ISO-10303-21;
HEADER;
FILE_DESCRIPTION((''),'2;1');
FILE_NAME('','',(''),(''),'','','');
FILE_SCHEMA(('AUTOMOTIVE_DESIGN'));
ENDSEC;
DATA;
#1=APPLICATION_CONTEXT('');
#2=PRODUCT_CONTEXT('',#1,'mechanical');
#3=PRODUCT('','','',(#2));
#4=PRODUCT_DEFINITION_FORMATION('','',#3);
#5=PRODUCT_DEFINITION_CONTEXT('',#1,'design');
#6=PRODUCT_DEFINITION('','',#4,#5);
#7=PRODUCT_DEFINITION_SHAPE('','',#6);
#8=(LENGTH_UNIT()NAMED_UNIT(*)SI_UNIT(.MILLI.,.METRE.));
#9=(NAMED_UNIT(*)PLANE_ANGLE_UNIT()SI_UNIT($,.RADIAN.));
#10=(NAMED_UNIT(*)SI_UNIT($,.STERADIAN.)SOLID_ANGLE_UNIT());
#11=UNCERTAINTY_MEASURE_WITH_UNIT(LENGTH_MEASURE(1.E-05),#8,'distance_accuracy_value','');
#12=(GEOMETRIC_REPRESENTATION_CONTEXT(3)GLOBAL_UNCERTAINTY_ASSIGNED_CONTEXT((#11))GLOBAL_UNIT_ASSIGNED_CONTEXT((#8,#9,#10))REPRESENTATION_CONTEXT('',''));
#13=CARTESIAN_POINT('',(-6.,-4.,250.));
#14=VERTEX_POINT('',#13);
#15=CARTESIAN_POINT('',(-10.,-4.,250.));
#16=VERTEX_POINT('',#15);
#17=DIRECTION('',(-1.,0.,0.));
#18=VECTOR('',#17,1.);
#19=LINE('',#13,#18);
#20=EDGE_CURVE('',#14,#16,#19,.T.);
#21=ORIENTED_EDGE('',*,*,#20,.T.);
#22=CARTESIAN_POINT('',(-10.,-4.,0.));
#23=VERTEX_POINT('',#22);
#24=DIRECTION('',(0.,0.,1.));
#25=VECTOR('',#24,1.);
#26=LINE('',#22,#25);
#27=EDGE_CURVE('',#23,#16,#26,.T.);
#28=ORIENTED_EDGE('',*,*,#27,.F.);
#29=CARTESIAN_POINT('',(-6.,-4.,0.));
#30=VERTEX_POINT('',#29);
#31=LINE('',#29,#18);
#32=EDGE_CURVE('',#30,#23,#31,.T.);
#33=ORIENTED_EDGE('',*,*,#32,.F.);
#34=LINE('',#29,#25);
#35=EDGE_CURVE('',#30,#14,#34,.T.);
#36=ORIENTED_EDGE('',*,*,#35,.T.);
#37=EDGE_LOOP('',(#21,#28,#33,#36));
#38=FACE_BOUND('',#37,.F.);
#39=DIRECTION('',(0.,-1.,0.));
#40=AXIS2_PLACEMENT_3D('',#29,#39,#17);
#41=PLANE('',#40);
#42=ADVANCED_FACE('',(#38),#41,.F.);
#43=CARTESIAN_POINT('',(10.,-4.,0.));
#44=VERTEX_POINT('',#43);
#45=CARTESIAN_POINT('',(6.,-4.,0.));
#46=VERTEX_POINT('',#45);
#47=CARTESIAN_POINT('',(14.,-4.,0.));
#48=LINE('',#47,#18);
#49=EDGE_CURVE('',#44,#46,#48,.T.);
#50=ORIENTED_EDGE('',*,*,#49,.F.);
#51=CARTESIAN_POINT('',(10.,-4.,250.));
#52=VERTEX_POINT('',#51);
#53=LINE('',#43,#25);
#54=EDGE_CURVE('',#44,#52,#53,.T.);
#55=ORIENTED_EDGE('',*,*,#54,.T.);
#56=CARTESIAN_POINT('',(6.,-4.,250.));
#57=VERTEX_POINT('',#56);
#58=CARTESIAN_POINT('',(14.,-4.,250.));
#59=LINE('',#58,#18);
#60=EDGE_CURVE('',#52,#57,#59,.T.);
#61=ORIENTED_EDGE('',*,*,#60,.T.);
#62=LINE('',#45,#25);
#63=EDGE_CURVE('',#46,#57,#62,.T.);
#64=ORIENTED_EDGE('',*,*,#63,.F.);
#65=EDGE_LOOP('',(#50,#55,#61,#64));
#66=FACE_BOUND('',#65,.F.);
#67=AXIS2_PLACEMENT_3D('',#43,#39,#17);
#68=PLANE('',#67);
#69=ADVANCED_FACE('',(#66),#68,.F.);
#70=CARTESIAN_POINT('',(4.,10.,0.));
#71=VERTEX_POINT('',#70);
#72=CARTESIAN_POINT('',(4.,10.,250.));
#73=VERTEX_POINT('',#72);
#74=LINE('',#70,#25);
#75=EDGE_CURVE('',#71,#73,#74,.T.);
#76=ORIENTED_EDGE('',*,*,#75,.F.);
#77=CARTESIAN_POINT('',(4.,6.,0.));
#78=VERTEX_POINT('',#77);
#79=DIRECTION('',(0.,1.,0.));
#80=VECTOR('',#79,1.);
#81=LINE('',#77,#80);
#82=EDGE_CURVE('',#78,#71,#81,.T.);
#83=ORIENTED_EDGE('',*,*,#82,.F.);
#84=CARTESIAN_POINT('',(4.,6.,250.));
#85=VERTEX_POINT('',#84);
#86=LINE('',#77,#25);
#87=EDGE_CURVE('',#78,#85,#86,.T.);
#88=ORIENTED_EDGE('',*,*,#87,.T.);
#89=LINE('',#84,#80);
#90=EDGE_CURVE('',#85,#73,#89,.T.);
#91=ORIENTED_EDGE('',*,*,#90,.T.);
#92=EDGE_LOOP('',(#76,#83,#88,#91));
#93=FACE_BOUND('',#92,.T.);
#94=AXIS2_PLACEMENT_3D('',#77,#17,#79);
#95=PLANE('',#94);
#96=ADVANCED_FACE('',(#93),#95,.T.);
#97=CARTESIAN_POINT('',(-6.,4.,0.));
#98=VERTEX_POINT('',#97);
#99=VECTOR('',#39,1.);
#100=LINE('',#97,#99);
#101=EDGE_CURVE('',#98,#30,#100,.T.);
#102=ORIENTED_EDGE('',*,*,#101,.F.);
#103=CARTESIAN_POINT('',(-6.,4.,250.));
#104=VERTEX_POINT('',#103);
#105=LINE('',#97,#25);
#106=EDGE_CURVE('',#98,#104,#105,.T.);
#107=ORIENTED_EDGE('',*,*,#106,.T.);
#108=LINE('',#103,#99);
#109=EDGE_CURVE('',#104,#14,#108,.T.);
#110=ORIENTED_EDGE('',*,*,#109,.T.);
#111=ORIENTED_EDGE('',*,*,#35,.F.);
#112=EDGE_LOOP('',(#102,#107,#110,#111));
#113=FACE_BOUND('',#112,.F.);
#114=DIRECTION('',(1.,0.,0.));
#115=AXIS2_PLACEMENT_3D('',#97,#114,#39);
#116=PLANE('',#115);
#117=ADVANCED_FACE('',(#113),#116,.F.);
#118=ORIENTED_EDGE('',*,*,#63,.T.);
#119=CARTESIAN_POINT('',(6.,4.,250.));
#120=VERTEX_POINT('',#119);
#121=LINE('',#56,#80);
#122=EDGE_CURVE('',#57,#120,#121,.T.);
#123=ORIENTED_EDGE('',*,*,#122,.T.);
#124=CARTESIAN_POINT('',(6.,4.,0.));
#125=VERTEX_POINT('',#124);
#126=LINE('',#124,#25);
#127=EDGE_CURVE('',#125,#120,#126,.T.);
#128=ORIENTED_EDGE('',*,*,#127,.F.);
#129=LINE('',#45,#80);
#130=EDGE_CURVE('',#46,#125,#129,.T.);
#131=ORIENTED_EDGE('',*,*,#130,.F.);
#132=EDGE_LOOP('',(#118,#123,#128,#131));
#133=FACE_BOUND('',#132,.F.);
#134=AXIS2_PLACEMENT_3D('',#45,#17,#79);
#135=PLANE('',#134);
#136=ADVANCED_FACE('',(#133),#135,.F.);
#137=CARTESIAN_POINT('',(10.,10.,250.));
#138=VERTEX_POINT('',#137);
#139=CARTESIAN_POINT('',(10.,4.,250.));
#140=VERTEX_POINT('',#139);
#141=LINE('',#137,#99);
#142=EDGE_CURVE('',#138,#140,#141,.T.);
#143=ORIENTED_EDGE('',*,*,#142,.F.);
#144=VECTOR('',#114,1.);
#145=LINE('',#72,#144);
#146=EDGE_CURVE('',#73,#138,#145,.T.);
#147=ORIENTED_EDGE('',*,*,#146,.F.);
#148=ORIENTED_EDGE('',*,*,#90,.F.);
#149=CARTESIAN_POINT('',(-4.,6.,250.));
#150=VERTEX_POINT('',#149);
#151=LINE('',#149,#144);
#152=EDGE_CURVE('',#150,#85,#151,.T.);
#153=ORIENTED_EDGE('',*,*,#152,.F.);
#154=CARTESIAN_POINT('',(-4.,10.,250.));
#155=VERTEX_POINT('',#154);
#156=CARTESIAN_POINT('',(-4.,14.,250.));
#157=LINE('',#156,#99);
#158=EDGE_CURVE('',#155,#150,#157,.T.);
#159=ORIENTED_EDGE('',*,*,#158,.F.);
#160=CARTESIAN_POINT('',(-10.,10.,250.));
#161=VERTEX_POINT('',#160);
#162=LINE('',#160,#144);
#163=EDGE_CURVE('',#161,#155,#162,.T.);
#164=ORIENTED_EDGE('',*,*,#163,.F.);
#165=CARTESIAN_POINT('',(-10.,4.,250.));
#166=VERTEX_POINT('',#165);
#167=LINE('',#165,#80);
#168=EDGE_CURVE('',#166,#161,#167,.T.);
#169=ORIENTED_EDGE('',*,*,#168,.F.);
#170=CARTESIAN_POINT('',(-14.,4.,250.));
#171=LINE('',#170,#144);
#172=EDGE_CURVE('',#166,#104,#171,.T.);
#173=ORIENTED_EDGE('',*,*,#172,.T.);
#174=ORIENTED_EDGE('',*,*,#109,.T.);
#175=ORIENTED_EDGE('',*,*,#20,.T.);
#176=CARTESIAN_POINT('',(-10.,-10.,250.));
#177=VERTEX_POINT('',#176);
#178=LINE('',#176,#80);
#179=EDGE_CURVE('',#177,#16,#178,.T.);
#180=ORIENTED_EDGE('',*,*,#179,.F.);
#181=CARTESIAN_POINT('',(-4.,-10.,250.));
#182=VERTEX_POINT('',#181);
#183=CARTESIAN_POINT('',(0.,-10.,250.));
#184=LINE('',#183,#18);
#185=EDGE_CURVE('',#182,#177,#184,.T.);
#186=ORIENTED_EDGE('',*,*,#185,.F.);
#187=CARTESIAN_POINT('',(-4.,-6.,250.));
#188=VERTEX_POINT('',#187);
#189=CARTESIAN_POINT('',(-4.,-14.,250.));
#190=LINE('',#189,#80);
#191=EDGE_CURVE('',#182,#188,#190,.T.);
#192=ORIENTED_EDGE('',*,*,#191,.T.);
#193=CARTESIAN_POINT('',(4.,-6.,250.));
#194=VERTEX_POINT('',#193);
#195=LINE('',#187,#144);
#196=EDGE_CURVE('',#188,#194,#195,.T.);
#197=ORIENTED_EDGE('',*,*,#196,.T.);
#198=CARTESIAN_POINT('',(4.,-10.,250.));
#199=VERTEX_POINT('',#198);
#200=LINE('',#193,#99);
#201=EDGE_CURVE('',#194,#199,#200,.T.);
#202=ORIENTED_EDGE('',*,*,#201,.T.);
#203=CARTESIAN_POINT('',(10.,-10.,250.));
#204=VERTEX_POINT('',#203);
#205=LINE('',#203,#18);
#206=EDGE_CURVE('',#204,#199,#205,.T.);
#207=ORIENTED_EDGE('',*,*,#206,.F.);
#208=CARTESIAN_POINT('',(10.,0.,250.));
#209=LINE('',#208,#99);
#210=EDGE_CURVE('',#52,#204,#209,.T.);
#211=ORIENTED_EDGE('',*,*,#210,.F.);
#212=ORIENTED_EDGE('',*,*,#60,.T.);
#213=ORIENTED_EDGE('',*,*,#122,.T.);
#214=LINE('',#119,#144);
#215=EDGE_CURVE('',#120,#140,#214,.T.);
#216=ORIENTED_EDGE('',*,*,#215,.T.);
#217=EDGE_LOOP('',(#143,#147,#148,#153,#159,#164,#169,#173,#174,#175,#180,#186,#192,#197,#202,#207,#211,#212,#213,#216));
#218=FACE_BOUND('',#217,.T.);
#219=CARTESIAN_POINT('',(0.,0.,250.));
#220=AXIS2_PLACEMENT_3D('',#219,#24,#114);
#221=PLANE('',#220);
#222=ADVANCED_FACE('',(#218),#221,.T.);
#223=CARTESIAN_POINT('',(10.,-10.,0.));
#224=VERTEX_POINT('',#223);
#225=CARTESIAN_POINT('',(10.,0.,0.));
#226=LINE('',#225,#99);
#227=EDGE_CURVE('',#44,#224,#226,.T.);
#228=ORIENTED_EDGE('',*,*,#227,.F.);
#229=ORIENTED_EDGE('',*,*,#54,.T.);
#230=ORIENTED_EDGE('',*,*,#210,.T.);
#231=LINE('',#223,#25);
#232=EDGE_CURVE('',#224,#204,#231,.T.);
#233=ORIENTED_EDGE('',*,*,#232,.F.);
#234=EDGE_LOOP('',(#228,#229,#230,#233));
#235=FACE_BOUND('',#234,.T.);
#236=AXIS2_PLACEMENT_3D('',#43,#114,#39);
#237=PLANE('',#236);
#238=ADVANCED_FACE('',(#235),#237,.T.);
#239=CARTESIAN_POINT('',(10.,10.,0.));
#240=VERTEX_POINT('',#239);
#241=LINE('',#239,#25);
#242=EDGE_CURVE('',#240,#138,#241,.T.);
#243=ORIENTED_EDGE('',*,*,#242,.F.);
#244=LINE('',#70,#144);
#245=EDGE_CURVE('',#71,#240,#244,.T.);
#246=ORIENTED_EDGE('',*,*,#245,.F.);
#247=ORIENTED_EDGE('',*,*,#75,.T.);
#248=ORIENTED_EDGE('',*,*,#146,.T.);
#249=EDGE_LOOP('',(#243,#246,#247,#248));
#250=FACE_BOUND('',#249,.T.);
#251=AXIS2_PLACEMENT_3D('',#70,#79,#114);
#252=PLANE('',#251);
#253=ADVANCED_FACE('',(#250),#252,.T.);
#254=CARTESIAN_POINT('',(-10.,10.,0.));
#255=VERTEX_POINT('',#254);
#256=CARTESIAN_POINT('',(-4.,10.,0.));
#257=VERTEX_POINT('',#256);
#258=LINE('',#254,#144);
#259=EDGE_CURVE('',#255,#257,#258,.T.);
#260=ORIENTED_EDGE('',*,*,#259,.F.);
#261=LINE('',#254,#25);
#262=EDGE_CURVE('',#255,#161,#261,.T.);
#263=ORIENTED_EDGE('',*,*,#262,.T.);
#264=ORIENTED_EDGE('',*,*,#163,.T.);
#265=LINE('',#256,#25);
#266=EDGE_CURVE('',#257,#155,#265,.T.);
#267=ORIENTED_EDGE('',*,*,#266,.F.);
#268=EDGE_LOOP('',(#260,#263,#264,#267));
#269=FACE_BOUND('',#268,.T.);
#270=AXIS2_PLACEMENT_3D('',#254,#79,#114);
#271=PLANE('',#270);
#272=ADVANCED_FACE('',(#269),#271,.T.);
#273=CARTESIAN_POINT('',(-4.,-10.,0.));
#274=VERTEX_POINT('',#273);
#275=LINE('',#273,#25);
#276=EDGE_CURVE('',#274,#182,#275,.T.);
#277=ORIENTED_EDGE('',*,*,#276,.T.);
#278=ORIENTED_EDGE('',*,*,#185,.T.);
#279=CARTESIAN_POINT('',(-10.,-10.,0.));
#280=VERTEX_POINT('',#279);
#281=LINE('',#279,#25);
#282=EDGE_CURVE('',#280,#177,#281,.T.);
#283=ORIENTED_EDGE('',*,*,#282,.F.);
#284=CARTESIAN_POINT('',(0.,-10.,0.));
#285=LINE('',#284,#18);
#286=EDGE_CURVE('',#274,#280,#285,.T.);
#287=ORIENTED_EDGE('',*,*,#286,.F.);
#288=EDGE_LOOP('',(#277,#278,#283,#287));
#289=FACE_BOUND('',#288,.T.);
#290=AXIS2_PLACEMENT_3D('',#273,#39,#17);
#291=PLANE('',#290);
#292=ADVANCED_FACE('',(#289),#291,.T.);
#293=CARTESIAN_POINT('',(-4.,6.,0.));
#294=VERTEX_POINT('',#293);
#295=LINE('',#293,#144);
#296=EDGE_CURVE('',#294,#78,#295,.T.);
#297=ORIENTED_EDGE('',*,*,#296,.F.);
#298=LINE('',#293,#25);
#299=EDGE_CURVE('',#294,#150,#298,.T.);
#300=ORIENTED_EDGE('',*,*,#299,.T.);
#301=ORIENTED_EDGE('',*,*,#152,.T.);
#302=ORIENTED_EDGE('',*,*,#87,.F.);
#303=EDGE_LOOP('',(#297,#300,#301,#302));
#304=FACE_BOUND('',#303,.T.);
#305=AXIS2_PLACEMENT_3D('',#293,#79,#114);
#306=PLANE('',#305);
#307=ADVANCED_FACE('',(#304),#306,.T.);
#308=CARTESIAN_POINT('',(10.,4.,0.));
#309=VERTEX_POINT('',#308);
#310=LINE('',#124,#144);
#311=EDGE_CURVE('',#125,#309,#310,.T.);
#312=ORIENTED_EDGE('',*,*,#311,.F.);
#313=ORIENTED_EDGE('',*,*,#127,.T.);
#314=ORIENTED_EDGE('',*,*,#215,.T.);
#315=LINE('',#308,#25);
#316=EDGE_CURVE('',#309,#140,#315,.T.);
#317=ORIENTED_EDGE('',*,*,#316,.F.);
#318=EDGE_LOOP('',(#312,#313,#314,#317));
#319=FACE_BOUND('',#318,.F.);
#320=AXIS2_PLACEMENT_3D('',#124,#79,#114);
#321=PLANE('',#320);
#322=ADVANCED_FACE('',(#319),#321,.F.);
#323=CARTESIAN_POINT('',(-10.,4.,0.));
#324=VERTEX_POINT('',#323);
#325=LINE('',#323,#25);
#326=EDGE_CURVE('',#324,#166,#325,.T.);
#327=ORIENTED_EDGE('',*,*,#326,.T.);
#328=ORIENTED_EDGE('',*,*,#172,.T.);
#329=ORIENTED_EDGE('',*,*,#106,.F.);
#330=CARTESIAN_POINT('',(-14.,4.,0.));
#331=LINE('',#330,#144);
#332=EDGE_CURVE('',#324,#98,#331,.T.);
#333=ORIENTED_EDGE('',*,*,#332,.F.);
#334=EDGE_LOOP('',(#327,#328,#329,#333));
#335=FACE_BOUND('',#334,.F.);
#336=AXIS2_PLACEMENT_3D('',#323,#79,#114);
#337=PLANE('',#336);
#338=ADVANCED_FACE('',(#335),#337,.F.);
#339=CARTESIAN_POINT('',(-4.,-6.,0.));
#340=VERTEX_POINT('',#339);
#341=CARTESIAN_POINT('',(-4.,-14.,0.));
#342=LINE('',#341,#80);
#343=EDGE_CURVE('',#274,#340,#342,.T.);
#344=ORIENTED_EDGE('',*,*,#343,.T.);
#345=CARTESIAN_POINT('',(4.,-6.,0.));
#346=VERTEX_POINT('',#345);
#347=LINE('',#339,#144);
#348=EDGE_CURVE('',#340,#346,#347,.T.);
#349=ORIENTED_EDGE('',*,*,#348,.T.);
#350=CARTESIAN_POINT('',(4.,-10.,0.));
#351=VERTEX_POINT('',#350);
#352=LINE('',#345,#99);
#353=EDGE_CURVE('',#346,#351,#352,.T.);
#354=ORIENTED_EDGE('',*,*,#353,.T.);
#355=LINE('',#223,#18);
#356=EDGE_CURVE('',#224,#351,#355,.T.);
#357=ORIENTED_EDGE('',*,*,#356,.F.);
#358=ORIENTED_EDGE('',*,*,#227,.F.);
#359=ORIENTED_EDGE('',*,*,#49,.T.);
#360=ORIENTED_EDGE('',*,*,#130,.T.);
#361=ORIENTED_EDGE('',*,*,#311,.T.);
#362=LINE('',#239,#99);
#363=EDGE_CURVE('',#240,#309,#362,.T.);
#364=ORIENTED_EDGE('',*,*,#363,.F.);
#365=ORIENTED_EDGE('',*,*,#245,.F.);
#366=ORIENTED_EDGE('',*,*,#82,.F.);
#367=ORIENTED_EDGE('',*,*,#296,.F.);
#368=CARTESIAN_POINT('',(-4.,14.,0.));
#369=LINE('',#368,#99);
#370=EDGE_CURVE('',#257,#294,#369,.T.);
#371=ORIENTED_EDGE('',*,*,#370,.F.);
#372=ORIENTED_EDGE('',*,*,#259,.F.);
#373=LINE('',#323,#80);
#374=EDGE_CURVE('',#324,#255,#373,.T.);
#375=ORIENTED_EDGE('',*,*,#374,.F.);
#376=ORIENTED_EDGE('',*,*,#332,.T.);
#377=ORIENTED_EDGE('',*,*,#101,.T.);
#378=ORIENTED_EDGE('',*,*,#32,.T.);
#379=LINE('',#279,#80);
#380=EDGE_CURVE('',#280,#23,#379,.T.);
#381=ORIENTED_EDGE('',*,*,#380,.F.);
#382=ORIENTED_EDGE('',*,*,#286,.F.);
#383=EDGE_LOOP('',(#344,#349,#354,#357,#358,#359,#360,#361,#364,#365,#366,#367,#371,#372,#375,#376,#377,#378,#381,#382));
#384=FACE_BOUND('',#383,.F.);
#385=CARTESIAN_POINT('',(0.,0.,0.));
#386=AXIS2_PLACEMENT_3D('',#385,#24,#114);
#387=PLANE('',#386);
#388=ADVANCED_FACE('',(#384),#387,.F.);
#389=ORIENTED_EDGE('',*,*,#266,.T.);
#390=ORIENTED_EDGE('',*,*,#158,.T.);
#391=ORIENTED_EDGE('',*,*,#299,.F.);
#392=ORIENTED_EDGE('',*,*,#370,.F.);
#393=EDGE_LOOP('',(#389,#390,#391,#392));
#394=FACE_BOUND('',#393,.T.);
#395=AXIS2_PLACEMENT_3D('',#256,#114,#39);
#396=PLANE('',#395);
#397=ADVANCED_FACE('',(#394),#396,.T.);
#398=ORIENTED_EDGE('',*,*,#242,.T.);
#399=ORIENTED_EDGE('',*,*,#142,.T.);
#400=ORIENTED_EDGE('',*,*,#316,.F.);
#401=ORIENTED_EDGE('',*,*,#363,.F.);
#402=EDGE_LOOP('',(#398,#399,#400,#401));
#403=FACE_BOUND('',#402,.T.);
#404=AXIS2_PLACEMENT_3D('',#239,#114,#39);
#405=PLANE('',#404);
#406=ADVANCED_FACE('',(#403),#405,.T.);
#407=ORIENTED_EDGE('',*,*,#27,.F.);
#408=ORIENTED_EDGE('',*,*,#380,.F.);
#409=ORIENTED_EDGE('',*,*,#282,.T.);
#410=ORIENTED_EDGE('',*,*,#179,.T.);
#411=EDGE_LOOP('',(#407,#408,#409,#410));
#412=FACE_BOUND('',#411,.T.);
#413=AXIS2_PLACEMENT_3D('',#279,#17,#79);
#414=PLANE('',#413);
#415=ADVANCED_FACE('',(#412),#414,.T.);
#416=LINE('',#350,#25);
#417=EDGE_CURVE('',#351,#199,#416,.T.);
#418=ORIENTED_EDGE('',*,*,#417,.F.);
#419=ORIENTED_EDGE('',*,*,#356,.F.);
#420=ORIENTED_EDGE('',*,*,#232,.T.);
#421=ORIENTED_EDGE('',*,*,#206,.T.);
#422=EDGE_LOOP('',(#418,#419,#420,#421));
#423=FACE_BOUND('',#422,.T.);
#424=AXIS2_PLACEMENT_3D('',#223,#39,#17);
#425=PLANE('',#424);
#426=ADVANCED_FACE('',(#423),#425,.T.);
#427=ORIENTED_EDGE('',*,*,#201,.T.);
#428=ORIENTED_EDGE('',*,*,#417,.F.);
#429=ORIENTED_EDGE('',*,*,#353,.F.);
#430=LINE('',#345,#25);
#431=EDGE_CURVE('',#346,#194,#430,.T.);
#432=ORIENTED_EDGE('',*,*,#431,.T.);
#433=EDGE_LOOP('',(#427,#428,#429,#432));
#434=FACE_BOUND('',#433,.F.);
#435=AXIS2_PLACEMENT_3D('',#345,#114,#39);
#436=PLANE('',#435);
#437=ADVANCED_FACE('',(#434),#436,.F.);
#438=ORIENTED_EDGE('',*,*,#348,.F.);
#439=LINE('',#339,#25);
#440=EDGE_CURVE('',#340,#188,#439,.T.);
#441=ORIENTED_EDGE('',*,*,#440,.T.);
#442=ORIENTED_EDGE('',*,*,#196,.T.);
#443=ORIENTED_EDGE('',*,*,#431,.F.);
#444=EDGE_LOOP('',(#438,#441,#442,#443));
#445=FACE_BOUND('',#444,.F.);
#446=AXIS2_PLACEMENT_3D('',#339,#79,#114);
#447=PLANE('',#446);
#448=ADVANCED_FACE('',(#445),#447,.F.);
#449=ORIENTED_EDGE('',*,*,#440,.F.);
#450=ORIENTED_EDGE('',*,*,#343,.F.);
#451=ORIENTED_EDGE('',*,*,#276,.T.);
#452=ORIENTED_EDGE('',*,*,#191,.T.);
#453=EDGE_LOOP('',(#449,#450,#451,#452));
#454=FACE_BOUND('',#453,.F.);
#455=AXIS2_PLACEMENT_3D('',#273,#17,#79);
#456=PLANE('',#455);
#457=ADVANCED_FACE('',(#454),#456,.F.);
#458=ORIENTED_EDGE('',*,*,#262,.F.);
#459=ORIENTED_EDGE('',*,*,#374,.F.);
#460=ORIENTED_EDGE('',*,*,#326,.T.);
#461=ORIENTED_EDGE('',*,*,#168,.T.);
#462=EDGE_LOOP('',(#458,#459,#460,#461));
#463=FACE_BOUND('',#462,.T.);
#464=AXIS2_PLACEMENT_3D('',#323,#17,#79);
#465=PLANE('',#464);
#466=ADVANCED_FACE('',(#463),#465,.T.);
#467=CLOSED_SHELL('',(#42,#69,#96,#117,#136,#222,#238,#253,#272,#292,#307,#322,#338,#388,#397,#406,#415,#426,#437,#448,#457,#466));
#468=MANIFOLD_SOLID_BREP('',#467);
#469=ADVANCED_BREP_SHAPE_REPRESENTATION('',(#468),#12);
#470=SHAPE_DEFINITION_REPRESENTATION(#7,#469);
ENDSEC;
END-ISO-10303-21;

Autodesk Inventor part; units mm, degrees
ref_plane "YZ Plane" through (0, 0, 0) normal (1, 0, 0) x (0, 1, 0)
ref_plane "XZ Plane" through (0, 0, 0) normal (0, 1, 0) x (-1, 0, 0)
ref_plane "XY Plane" through (0, 0, 0) normal (0, 0, 1) x (1, 0, 0)
sketch "Sketch1" plane through (0, 0, 0) normal (0, 0, 1) x (1, 0, 0)
  line L0 (10, -10) -> (-10, 10) construction
  line L1 (-10, -10) -> (10, 10) construction
  line L2 (-4, 6) -> (4, 6)
  line L3 (4, 6) -> (4, 14)
  line L4 (4, 14) -> (-4, 14)
  line L5 (-4, 14) -> (-4, 6)
  line L6 (-4, 6) -> (4, 14) construction
  line L7 (4, 6) -> (-4, 14) construction
  line L8 (14, -4) -> (6, -4)
  line L9 (6, -4) -> (6, 4)
  line L10 (6, 4) -> (14, 4)
  line L11 (14, 4) -> (14, -4)
  line L12 (14, -4) -> (6, 4) construction
  line L13 (6, -4) -> (14, 4) construction
  line L14 (-4, -6) -> (4, -6)
  line L15 (4, -6) -> (4, -14)
  line L16 (4, -14) -> (-4, -14)
  line L17 (-4, -14) -> (-4, -6)
  line L18 (-4, -6) -> (4, -14) construction
  line L19 (4, -6) -> (-4, -14) construction
  line L20 (-14, 4) -> (-6, 4)
  line L21 (-6, 4) -> (-6, -4)
  line L22 (-6, -4) -> (-14, -4)
  line L23 (-14, -4) -> (-14, 4)
  line L24 (-14, 4) -> (-6, -4) construction
  line L25 (-6, 4) -> (-14, -4) construction
  line L26 (-10, -10) -> (-10, 0)
  line L27 (-10, 4) -> (-10, 10)
  line L28 (-10, 10) -> (0, 10)
  line L29 (4, 10) -> (10, 10)
  line L30 (10, 10) -> (10, 4)
  line L31 (10, 0) -> (10, -10)
  line L32 (10, -10) -> (4, -10)
  line L33 (0, -10) -> (-10, -10)
  point P0 (0, 0)
  point P1 (-4, 10)
  point P2 (10, -4)
  point P3 (-4, -10)
  point P4 (-10, -4)
  dimension "d0" = 20
  dimension "d1" = 20
  dimension "d2" = 8
  dimension "d3" = 8
  dimension "d4" = 8
  dimension "d5" = 8
  dimension "d6" = 8
  dimension "d7" = 8
  dimension "d8" = 8
  dimension "d9" = 8
extrude "Extrusion1" add sketch "Sketch1" along normal blind 250 contours L2 L3 L29 L30 L10 L9 L8 L31 L32 L15 L14 L17 L33 L26 L22 L21 L20 L27 L28 L5
ref_plane "Work Plane1" through (4, 0, 0) normal (0, 1, 0) x (1, 0, 0)
ref_plane "Work Plane2" through (0, -10, 0) normal (1, 0, 0) x (0, 0, -1)
properties part number "Neje_Base_Rod_20mm"
